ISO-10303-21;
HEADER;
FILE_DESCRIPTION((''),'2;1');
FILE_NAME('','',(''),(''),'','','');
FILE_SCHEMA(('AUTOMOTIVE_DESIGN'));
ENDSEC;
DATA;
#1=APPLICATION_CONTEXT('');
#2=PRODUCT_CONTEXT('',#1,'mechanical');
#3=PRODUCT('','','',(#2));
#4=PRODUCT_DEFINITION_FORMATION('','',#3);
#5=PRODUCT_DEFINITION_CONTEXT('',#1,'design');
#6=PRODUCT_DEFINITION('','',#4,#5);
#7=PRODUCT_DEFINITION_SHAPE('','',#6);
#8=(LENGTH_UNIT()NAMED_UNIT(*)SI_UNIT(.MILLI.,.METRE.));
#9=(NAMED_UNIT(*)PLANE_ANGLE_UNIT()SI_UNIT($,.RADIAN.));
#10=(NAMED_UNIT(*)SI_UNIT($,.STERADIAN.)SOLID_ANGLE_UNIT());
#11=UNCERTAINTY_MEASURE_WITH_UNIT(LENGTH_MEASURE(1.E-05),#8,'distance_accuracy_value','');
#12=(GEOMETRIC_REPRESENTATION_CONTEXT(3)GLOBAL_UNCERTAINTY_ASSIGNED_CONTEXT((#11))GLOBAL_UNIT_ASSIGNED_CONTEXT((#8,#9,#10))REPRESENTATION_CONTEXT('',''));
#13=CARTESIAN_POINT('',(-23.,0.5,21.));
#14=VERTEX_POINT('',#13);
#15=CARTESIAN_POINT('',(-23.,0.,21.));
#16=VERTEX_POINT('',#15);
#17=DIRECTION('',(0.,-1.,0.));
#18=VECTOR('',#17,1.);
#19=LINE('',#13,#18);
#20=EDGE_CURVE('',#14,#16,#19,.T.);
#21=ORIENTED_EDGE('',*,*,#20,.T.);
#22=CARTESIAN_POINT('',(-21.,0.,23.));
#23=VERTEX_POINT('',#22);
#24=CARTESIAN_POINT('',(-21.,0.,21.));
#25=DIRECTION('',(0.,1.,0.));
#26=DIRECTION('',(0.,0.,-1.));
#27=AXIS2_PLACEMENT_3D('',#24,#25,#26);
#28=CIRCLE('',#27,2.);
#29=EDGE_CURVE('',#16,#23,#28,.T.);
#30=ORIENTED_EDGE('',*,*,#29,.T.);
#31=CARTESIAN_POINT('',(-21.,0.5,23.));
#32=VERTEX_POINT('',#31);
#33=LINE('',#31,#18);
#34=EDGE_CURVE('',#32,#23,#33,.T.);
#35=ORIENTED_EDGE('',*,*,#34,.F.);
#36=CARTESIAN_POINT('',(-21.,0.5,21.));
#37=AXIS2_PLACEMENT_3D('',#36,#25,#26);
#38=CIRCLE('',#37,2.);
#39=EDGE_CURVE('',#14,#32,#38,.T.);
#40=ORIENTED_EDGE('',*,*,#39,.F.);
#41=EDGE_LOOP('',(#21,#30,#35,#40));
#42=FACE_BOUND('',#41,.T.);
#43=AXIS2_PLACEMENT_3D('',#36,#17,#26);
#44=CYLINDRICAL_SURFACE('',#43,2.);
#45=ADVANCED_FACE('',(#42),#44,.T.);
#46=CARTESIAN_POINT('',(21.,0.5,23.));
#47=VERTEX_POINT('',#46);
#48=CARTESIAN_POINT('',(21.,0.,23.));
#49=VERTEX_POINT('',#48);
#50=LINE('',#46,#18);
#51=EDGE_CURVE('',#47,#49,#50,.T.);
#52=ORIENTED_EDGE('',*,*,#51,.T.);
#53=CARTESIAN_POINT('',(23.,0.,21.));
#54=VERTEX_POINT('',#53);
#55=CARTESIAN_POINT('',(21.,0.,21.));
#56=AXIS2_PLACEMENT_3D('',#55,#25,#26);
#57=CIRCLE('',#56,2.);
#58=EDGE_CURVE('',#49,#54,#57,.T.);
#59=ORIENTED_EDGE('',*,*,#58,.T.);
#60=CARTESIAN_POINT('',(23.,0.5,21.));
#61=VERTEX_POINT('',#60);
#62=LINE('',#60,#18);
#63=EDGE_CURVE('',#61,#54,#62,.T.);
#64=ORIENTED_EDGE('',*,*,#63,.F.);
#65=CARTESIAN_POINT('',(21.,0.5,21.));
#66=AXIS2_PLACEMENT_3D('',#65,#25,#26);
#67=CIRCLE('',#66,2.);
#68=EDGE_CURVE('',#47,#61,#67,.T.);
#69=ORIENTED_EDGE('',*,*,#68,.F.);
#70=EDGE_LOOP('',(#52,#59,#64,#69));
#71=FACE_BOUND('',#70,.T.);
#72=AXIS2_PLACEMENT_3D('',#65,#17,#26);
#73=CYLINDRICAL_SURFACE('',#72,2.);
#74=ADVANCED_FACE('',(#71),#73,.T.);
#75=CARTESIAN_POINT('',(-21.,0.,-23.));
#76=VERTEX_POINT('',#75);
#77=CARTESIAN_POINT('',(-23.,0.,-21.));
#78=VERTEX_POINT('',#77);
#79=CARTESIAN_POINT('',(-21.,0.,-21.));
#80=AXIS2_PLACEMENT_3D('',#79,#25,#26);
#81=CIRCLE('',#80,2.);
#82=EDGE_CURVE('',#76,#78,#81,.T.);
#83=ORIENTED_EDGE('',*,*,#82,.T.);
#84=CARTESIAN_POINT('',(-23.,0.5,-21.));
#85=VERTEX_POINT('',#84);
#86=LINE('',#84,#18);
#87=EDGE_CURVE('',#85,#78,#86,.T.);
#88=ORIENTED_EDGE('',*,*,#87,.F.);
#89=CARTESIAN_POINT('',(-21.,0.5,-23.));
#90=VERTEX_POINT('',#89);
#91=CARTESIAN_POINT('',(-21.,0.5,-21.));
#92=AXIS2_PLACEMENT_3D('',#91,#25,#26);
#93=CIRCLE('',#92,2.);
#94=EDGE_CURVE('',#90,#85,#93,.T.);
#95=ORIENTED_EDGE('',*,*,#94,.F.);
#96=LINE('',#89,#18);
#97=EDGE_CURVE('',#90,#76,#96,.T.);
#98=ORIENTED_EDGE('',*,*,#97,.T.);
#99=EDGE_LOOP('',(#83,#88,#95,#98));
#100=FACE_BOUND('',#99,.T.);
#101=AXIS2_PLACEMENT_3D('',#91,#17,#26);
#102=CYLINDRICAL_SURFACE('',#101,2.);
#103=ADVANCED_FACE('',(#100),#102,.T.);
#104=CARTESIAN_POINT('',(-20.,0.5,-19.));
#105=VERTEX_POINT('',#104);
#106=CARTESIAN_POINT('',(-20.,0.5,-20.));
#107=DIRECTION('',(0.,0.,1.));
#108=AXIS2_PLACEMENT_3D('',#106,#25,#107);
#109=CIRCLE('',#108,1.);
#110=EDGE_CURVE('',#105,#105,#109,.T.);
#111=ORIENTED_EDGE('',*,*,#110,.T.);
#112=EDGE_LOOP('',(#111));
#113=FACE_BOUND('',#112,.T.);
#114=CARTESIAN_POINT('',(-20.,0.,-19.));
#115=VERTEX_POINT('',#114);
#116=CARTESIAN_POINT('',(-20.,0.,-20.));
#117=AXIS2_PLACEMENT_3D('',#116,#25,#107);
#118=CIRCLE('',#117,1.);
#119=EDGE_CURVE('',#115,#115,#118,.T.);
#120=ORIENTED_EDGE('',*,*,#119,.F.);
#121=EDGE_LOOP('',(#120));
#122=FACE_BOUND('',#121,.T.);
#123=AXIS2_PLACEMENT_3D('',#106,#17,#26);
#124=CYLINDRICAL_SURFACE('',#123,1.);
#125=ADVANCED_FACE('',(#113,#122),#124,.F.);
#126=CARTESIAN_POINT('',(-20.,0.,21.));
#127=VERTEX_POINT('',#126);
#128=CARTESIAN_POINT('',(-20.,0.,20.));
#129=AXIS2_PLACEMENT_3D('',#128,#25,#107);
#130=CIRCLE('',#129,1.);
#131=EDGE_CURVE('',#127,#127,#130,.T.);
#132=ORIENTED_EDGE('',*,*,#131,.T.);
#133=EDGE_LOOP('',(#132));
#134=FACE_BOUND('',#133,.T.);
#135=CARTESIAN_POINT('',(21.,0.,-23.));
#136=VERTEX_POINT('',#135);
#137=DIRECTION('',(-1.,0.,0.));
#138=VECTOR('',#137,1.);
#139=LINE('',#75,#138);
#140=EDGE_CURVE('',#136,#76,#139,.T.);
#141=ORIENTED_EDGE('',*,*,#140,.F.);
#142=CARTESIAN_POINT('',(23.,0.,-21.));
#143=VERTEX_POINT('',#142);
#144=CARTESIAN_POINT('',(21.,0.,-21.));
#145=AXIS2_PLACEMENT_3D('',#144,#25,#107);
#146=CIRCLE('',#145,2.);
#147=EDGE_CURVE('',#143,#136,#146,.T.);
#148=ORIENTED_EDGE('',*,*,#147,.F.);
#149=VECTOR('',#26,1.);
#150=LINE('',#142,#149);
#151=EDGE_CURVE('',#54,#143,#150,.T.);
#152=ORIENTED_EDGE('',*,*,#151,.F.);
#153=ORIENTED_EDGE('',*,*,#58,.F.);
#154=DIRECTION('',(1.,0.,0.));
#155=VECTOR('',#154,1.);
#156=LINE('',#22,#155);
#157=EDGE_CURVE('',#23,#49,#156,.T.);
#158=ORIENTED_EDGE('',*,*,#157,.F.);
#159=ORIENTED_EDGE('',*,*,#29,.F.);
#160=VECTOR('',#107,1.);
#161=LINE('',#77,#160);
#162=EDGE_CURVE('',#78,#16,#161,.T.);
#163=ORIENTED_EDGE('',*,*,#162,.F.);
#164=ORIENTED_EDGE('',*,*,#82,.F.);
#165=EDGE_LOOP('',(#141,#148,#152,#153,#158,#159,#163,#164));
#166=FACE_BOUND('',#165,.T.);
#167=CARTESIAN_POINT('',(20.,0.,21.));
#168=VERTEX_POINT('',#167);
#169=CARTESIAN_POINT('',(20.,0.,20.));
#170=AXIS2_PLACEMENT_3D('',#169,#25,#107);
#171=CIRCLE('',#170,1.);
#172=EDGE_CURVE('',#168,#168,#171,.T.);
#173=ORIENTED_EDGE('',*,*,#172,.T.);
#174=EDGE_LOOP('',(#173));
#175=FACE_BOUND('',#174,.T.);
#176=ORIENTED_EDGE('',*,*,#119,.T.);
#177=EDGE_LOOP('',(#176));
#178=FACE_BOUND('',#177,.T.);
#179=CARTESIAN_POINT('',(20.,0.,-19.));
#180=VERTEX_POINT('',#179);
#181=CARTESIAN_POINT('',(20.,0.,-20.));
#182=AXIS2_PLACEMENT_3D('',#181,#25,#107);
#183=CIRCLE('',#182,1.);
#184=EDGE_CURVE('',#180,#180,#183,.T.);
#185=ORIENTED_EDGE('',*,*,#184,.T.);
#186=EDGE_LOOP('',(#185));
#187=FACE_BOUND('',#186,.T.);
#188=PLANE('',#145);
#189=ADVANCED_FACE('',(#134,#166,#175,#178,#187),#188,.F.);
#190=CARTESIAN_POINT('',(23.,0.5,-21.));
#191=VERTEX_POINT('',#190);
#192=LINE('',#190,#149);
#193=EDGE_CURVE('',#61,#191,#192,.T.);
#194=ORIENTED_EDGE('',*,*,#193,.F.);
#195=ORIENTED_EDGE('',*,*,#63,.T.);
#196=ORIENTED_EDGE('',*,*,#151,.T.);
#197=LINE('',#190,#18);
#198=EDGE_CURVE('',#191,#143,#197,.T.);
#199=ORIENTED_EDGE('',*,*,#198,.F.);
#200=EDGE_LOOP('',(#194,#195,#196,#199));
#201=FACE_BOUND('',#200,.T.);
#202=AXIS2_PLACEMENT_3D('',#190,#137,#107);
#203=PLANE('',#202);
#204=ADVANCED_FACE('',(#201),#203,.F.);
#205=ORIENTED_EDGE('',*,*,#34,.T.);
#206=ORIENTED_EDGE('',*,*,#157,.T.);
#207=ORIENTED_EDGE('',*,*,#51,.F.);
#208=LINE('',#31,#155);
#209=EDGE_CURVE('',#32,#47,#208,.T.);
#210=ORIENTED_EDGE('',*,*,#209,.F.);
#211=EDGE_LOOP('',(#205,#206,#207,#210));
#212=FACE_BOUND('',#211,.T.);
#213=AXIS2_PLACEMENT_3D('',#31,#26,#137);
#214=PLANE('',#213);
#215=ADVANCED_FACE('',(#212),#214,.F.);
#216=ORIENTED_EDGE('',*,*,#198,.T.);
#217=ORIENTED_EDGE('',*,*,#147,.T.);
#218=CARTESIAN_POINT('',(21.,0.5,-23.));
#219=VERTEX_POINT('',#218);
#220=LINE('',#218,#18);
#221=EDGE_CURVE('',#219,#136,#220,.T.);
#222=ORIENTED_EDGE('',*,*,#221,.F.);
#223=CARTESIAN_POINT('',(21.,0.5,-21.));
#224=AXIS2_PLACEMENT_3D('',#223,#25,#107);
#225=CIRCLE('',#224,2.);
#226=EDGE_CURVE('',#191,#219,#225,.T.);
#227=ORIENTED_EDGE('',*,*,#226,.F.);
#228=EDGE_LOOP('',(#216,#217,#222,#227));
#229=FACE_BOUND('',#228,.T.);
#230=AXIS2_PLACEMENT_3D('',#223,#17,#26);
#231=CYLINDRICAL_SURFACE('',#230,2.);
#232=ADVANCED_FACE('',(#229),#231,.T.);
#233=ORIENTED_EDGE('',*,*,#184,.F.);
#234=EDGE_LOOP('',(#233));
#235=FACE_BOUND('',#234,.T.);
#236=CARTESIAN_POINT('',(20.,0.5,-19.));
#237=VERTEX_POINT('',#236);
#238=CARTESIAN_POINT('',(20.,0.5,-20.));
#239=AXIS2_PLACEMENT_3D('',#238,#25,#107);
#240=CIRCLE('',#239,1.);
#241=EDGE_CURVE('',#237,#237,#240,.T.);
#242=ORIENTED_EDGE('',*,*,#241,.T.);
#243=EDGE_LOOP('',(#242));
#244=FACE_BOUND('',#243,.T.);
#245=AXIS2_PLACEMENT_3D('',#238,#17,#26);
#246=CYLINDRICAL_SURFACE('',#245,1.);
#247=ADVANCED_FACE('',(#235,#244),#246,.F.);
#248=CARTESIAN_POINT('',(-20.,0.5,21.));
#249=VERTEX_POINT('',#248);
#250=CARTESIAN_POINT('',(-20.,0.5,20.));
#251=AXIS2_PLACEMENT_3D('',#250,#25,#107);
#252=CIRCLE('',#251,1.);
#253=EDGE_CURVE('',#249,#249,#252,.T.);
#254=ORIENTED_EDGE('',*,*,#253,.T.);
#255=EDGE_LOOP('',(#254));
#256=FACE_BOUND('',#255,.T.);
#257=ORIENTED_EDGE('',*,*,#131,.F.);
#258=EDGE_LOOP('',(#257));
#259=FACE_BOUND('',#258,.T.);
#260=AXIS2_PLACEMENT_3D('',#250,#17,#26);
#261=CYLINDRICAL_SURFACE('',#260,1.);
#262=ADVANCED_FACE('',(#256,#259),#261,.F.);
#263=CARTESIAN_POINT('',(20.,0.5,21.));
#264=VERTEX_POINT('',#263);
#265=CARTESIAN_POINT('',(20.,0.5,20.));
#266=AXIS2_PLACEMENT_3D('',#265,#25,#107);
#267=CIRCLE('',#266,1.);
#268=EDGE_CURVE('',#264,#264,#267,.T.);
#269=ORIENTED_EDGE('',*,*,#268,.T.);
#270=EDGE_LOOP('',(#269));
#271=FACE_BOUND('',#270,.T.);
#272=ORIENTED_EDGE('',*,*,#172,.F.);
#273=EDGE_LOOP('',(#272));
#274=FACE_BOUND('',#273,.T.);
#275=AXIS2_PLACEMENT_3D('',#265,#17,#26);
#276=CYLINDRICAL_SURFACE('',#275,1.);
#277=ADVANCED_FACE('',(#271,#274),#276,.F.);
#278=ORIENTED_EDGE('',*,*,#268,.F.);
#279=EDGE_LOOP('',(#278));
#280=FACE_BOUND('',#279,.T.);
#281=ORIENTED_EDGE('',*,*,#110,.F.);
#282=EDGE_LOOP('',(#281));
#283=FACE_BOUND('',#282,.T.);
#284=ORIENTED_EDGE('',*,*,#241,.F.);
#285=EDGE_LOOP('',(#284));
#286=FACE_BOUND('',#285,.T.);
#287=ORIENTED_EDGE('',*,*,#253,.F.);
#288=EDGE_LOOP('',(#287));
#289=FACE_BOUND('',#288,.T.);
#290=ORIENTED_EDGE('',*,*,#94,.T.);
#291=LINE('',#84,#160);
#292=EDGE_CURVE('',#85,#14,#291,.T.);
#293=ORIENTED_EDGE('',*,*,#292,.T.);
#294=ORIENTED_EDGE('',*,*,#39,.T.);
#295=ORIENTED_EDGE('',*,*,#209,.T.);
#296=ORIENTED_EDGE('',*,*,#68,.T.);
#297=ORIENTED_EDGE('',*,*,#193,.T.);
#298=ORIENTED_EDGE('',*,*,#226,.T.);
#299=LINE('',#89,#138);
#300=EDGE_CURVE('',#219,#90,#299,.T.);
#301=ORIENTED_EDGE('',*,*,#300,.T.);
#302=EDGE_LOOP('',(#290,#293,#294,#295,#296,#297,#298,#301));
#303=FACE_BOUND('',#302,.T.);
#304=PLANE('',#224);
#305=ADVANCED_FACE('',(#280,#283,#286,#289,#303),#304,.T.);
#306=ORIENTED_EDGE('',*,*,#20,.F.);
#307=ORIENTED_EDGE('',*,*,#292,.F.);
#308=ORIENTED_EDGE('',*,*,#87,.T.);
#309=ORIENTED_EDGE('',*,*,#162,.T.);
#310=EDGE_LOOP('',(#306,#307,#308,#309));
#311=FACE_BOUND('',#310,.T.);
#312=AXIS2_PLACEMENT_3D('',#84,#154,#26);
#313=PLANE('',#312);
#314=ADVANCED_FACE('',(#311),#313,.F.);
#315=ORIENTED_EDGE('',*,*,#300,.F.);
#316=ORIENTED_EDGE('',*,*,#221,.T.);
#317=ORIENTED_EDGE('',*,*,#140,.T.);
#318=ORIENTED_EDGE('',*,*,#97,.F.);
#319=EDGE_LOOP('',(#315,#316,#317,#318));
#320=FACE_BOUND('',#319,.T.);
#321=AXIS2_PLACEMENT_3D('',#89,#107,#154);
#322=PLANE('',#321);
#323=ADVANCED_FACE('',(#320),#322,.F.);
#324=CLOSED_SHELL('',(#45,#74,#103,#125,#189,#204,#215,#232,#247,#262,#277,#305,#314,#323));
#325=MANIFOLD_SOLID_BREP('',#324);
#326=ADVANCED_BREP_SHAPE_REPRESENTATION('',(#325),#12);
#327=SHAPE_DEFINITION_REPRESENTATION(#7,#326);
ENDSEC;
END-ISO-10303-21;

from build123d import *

# Parameters (mm, degrees)
SKETCH1_R           = 1
BOSS_EXTRUDE1_DEPTH = 0.5


with BuildPart() as part:
    # Sketch1 → Boss-Extrude1 (new body)
    with BuildSketch(Plane(origin=(0, 0, 0), x_dir=(1, 0, 0), z_dir=(0, 1, 0))):
        with BuildLine():
            Line((-21, 23), (21, 23))
            ThreePointArc((21, 23), (22.414213562, 22.414213562), (23, 21))
            Line((23, 21), (23, -21))
            ThreePointArc((23, -21), (22.414213562, -22.414213562), (21, -23))
            Line((21, -23), (-21, -23))
            ThreePointArc((-21, -23), (-22.414213562, -22.414213562), (-23, -21))
            Line((-23, -21), (-23, 21))
            ThreePointArc((-23, 21), (-22.414213562, 22.414213562), (-21, 23))
        make_face()
        with Locations((-20, 20)):
            Circle(SKETCH1_R, mode=Mode.SUBTRACT)
        with Locations((20, 20)):
            Circle(SKETCH1_R, mode=Mode.SUBTRACT)
        with Locations((-20, -20)):
            Circle(SKETCH1_R, mode=Mode.SUBTRACT)
        with Locations((20, -20)):
            Circle(SKETCH1_R, mode=Mode.SUBTRACT)
    extrude(amount=BOSS_EXTRUDE1_DEPTH)


solid = part.part
